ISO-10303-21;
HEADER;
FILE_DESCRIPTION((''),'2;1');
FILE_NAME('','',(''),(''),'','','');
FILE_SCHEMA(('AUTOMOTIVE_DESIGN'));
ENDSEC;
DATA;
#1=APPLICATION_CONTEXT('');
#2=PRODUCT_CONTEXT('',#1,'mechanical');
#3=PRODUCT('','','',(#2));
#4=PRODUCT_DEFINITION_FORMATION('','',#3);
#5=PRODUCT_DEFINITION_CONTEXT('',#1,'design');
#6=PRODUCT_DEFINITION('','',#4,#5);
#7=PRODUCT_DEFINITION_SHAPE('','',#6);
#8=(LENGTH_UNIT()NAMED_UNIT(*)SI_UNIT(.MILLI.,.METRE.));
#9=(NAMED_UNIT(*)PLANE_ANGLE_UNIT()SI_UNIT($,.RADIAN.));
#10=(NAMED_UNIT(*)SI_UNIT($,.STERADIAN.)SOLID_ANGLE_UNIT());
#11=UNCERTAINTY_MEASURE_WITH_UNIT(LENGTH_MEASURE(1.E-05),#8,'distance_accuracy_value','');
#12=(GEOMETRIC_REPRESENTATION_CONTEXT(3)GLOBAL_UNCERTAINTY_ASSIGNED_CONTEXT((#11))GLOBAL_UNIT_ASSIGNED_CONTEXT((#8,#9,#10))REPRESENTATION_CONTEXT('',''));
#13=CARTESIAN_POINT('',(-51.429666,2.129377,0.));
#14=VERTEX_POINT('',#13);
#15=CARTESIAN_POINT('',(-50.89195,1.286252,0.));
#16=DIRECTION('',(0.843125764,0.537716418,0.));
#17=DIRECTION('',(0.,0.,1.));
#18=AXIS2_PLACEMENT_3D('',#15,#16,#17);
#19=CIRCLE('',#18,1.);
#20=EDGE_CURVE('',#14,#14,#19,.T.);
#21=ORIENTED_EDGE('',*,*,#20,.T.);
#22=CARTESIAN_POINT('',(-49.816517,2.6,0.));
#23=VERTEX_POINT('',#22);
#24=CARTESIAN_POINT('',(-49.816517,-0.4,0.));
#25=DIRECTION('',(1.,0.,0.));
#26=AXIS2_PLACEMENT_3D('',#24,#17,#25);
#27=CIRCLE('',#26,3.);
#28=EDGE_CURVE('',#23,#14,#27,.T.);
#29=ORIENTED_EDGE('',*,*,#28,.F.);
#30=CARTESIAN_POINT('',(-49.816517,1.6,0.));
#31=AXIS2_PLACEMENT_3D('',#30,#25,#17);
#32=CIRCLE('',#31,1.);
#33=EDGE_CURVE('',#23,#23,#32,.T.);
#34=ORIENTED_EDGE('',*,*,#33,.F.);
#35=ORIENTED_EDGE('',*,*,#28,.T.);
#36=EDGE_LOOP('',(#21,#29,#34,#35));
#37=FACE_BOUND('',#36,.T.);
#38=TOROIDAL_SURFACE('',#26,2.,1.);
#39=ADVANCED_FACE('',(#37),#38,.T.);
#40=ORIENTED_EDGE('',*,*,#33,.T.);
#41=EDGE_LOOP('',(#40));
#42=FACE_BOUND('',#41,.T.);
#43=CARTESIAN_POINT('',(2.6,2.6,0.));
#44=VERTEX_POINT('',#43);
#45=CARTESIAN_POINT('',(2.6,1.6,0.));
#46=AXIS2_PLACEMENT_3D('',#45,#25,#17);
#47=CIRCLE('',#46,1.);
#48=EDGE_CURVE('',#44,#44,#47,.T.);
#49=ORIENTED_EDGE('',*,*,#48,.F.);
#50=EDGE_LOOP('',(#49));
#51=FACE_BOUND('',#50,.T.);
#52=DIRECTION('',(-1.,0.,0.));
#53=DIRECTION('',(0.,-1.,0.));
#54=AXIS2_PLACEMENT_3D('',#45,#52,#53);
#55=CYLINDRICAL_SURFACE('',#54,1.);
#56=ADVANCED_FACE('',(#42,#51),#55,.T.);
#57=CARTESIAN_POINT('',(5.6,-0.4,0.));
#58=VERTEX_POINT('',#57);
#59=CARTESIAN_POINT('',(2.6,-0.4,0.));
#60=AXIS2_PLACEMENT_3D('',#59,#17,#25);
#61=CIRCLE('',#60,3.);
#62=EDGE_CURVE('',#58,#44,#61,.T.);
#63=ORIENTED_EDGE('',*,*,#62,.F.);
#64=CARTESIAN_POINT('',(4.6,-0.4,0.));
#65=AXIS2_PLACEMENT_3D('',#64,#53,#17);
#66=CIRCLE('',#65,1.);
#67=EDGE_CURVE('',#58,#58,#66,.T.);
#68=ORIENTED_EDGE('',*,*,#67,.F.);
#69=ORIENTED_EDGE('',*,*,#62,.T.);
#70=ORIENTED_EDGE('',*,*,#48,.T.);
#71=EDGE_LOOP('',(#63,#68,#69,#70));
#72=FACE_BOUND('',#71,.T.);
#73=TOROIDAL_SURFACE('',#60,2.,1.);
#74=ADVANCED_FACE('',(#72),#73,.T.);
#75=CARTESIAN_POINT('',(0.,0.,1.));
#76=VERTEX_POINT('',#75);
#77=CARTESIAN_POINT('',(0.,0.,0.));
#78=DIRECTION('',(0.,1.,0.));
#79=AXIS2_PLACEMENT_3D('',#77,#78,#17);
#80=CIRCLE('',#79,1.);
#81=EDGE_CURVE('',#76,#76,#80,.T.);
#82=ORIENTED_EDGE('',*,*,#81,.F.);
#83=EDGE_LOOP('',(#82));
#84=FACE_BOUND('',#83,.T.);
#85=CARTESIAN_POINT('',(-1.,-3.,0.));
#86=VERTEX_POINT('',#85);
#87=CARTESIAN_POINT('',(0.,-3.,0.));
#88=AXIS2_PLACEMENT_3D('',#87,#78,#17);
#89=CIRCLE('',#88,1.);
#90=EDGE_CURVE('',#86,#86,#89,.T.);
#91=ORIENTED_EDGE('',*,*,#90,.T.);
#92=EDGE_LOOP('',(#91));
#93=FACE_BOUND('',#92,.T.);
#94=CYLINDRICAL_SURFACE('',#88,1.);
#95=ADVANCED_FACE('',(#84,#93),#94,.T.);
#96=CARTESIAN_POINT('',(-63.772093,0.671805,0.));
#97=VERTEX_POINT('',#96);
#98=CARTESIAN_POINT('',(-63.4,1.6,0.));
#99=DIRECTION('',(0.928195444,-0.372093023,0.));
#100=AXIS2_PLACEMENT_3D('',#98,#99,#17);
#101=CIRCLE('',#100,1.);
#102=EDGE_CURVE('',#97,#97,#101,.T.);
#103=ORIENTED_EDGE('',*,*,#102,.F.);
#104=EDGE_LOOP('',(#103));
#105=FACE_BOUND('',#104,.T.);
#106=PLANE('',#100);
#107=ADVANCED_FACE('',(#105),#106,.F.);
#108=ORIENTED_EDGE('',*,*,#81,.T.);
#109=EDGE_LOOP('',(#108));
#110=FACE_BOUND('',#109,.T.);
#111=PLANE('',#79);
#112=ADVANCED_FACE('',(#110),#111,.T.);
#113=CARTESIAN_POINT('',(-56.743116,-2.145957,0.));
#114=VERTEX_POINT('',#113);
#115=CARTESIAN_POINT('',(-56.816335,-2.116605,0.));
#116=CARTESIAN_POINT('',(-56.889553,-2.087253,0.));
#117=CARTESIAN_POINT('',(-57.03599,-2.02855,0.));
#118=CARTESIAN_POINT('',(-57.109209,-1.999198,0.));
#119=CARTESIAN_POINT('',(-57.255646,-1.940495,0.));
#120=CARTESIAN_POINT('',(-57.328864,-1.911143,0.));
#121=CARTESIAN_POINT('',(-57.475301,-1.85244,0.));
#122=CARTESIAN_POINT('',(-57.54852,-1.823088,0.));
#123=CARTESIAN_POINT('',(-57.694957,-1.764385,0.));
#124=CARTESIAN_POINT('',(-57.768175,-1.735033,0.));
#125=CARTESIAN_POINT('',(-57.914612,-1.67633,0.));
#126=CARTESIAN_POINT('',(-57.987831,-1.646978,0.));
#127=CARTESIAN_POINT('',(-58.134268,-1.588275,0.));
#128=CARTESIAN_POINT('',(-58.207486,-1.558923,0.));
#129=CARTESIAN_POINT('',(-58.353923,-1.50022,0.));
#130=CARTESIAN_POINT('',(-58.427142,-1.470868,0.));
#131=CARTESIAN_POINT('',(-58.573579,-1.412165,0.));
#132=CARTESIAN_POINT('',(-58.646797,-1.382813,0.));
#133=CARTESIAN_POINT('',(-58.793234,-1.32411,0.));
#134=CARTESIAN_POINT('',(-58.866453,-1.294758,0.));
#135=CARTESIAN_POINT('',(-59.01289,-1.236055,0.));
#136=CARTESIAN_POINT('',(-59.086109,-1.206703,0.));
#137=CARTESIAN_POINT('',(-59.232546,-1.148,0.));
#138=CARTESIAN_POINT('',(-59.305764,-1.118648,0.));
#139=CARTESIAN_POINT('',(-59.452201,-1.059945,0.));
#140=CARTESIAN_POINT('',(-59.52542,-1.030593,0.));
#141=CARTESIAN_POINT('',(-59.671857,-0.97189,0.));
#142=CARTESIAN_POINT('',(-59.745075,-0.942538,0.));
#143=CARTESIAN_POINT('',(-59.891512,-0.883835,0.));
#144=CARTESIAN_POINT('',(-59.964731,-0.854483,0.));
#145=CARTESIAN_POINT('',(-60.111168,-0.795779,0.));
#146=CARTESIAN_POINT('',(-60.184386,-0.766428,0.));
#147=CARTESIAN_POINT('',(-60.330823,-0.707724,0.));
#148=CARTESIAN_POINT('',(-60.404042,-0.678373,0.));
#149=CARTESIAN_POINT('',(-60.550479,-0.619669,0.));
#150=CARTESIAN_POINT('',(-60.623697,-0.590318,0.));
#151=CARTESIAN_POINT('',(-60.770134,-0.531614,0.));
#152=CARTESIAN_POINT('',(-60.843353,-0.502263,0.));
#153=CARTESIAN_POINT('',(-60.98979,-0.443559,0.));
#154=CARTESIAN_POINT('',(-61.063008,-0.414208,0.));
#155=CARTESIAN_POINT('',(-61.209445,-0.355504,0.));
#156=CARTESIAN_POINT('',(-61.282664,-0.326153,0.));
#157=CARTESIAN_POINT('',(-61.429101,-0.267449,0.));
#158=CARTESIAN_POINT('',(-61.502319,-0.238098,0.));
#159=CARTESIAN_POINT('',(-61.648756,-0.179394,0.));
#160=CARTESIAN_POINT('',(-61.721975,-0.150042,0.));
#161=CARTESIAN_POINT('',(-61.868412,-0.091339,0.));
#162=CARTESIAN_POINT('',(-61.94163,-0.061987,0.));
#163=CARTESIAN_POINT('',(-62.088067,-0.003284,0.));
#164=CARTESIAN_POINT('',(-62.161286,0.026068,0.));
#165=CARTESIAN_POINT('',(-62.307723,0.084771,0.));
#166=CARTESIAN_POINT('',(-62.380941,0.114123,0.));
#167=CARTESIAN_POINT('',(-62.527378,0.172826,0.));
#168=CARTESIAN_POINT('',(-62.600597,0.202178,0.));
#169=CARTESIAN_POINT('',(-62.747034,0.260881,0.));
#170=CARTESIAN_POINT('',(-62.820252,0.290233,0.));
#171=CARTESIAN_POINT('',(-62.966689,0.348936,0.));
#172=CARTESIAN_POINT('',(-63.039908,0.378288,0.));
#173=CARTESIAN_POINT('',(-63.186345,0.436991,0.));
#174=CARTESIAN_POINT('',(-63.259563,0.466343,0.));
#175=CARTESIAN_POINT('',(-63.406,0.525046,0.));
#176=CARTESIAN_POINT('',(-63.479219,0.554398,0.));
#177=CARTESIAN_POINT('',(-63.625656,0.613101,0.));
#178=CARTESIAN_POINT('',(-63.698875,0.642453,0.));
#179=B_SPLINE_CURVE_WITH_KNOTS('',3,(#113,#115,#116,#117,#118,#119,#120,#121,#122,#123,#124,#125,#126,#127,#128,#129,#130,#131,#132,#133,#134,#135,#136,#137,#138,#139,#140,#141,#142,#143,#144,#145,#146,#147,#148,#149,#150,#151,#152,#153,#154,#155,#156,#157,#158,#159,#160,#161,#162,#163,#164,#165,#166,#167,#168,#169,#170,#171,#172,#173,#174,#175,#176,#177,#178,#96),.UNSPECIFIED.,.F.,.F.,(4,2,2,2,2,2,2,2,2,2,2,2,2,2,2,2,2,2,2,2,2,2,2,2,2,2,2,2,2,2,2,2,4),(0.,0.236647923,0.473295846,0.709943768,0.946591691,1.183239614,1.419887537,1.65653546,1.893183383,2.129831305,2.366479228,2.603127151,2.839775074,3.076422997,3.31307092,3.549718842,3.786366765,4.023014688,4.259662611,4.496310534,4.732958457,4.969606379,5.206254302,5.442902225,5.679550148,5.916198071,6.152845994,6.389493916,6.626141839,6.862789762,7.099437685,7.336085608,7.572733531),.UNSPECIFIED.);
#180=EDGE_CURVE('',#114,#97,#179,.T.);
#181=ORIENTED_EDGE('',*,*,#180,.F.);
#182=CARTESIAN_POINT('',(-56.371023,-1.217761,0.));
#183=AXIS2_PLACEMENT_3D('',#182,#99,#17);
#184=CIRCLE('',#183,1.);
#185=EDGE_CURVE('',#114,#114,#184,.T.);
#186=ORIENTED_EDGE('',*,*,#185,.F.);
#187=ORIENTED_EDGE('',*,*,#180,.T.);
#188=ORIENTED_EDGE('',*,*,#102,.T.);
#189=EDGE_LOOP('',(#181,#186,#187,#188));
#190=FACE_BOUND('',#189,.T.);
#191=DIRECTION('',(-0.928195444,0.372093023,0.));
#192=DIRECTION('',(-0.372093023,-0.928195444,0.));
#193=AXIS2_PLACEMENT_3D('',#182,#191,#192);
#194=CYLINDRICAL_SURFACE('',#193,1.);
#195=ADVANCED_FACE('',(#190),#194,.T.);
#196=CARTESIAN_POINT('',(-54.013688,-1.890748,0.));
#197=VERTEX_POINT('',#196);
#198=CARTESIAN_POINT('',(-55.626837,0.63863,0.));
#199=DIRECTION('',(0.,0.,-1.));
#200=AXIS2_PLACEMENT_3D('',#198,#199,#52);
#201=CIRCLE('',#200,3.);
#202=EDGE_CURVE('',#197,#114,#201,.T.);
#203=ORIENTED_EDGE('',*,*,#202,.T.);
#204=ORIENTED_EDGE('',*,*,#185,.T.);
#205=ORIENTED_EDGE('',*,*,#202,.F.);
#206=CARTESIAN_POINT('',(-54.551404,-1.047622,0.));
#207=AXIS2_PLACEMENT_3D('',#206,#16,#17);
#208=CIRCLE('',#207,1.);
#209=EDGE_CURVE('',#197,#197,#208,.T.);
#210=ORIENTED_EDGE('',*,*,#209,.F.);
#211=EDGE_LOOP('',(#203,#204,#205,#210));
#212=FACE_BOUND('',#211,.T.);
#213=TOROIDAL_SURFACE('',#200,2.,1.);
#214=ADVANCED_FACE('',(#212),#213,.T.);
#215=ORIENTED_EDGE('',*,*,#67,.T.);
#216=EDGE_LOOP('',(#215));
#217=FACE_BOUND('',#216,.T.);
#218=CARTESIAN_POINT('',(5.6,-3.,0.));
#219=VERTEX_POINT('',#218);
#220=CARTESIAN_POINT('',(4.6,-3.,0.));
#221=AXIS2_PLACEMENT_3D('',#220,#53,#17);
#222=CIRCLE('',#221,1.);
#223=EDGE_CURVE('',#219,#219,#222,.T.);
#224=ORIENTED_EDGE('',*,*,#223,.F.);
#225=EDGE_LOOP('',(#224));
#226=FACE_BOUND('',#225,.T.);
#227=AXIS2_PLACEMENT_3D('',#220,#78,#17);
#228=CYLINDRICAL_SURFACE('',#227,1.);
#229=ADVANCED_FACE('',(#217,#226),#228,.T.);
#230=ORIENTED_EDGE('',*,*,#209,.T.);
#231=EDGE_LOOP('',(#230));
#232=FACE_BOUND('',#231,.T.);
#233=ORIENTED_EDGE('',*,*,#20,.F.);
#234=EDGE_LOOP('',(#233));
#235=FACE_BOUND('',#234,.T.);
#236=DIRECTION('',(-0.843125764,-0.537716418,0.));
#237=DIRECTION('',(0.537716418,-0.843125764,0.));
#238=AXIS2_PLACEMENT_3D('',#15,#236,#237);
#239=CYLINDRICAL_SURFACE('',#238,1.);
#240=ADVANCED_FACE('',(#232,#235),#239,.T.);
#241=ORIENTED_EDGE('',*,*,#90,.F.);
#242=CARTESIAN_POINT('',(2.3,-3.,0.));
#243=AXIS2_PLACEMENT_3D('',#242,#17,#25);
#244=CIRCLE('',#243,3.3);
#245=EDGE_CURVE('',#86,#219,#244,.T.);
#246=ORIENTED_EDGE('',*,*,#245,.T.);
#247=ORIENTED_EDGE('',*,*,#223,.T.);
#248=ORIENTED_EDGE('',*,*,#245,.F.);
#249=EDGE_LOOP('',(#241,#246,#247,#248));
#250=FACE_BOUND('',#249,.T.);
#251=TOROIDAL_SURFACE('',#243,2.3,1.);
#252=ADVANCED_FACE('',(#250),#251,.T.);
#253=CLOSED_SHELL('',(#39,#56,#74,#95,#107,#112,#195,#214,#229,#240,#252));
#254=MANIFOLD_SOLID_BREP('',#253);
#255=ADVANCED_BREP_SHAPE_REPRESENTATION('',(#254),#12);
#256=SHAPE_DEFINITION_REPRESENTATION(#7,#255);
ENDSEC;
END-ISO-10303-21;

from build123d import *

# Parameters (mm, degrees)
ESQUISSE2_R = 1


with BuildPart() as part:
    # Balayage1: sweep along a path in Esquisse1
    with BuildLine(Plane.XY) as balayage1_path:
        Line((-63.4, 1.6), (-56.371023239, -1.217761314))
        ThreePointArc((-56.371023239, -1.217761314), (-55.440643854, -1.352684575), (-54.551404356, -1.047621953))
        Line((-54.551404356, -1.047621953), (-50.891949681, 1.286251527))
        ThreePointArc((-50.891949681, 1.286251527), (-50.376649394, 1.519961335), (-49.816516844, 1.6))
        Line((-49.816516844, 1.6), (2.6, 1.6))
        ThreePointArc((2.6, 1.6), (4.014213562, 1.014213562), (4.6, -0.4))
        Line((4.6, -0.4), (4.6, -3))
        ThreePointArc((4.6, -3), (2.3, -5.3), (0, -3))
        Line((0, -3), (0, 0))
    # Esquisse2 → Balayage1 (sweep)
    with BuildSketch(Plane(origin=(0, 0, 0), x_dir=(1, 0, 0), z_dir=(0, 1, 0))):
        Circle(ESQUISSE2_R)
    sweep(path=balayage1_path.line)


solid = part.part
